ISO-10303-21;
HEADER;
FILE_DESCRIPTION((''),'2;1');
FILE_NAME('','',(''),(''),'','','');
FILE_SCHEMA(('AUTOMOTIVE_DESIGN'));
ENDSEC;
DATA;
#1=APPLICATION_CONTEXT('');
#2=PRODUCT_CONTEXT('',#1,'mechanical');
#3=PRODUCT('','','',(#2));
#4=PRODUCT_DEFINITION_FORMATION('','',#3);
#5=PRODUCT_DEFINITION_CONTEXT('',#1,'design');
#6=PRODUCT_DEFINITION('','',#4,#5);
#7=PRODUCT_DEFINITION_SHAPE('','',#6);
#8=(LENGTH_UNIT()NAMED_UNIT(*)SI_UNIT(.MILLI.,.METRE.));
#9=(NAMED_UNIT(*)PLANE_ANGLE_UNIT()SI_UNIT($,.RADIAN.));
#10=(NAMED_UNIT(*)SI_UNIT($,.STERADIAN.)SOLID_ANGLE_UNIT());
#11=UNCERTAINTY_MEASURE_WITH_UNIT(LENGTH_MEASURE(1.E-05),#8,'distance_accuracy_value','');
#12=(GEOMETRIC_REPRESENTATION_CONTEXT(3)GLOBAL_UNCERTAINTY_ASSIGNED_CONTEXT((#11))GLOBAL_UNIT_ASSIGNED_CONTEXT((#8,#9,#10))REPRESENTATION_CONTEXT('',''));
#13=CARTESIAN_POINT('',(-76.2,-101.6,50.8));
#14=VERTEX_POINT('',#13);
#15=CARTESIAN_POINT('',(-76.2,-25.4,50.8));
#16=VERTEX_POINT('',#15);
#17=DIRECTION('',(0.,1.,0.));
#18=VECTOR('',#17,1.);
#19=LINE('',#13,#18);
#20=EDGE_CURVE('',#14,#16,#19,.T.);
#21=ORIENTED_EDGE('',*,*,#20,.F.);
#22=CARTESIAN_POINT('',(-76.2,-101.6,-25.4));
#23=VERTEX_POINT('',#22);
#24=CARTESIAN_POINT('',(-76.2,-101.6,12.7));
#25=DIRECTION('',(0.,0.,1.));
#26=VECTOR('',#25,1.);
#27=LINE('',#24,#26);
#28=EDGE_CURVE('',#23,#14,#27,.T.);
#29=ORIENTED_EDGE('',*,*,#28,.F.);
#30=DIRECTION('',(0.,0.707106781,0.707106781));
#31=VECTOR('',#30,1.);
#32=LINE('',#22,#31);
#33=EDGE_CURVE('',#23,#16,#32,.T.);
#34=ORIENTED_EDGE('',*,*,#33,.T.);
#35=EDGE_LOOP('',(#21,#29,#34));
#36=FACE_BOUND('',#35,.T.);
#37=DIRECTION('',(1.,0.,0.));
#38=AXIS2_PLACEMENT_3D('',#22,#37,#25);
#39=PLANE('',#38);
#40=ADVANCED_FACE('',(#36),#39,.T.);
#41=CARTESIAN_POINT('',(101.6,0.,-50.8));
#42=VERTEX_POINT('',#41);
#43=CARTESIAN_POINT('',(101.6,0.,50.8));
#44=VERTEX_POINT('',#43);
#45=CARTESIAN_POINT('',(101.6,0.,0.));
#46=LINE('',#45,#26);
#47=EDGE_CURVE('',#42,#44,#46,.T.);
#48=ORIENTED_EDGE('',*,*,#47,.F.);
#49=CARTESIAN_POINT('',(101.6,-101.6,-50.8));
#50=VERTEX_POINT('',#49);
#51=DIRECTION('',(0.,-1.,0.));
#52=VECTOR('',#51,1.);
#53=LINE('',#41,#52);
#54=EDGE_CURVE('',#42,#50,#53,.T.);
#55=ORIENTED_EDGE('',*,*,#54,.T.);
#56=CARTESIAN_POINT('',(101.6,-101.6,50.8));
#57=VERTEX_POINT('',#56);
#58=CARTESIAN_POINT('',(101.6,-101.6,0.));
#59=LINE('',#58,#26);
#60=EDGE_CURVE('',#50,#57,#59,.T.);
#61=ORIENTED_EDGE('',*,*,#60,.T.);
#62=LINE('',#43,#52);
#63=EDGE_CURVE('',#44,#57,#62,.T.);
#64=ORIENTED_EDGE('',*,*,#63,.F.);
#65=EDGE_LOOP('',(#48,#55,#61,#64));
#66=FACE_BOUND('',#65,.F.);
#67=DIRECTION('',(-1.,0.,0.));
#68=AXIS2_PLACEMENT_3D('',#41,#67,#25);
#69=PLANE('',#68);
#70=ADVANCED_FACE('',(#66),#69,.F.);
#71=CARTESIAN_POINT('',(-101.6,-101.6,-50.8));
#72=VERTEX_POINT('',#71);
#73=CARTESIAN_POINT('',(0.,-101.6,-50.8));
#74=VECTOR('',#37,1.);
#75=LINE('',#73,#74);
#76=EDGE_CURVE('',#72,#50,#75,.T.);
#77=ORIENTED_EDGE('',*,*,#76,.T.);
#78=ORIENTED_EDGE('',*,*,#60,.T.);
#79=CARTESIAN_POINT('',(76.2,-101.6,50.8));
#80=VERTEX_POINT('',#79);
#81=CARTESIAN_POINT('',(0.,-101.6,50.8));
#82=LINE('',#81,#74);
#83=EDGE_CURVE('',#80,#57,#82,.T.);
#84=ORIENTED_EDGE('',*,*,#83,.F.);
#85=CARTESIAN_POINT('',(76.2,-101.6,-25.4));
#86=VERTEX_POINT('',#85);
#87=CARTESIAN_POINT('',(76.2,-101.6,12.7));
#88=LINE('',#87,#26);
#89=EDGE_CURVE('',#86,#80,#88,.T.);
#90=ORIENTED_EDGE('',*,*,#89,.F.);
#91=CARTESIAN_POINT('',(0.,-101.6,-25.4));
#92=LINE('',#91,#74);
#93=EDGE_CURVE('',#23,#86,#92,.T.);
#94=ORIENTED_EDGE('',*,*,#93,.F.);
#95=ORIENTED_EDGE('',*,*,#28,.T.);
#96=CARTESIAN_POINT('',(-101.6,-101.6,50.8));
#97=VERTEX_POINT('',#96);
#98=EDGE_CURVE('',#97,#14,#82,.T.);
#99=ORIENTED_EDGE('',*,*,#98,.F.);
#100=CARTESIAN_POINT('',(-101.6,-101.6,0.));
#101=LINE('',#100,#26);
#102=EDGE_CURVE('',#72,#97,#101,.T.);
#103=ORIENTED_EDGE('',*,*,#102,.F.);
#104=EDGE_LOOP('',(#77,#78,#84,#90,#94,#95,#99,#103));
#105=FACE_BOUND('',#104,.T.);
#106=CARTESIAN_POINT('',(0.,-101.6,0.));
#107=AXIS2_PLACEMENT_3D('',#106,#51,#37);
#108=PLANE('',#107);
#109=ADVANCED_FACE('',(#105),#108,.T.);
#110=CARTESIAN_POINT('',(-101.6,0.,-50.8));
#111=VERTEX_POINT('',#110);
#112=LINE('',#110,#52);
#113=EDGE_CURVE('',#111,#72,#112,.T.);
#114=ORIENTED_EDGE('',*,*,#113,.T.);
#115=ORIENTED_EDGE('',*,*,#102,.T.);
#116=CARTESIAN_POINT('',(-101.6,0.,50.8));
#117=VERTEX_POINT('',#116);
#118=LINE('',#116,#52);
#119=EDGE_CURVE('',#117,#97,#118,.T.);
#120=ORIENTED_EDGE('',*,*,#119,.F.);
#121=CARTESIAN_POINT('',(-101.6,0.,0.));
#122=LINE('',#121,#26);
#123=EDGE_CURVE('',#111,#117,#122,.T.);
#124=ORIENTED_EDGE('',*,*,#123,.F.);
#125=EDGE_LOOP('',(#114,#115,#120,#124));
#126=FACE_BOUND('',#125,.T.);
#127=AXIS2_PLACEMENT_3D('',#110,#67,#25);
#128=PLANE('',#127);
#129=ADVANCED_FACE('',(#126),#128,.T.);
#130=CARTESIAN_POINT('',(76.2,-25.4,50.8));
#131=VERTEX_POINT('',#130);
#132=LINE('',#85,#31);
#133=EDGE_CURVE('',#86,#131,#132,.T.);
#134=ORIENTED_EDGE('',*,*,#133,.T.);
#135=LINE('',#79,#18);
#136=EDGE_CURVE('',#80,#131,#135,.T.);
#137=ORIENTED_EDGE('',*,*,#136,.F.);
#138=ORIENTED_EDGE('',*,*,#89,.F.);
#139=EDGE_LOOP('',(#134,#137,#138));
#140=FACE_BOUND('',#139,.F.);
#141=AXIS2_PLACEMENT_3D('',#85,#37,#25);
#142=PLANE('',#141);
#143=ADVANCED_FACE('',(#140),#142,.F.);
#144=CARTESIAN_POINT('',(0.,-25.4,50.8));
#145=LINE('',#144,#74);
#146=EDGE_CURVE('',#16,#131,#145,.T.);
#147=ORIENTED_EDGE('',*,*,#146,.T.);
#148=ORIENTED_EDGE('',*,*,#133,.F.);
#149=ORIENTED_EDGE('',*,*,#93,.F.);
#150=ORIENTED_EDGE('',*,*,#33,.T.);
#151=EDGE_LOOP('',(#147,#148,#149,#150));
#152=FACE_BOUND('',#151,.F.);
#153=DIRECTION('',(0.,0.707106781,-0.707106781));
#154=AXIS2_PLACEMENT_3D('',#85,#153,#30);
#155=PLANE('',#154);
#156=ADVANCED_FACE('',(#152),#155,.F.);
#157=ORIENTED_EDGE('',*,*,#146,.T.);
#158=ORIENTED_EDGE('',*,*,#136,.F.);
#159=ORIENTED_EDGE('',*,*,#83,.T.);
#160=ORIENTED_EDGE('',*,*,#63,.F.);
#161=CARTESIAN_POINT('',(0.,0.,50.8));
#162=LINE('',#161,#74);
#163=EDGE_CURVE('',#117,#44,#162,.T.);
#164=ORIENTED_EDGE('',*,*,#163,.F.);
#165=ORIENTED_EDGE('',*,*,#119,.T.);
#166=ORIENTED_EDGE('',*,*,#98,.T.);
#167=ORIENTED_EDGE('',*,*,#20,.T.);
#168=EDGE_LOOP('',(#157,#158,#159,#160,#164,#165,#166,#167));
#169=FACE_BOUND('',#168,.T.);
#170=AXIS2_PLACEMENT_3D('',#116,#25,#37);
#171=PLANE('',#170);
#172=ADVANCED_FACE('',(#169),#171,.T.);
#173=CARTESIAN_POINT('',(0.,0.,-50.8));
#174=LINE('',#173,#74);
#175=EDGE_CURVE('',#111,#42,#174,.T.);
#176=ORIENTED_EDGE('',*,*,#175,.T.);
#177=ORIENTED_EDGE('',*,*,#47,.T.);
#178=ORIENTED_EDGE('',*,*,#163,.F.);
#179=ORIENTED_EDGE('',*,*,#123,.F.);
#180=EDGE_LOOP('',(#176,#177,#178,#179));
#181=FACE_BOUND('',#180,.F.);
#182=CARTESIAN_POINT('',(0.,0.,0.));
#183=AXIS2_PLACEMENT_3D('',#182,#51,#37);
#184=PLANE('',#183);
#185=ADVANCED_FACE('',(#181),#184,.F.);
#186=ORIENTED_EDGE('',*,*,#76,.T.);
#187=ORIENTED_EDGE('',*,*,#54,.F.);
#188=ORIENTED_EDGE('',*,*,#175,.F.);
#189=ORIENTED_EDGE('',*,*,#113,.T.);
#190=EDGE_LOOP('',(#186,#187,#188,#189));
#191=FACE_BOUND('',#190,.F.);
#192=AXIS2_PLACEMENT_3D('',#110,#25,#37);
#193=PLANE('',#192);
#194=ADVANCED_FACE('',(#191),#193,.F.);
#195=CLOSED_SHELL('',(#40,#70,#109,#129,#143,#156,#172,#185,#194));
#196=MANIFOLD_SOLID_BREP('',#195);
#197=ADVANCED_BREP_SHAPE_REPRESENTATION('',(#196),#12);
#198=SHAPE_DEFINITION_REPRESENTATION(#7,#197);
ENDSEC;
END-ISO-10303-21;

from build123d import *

# Parameters (mm, degrees)
F0_W     = 203.2
F0_H     = 101.6
F1_DEPTH = 101.6
F2_W     = 152.4
F2_H     = 76.2
F3_DEPTH = 76.2
F5_DEPTH = 152.4


with BuildPart() as f1:
    # F0 (on Front) → F1 (new body)
    with BuildSketch(Plane.XZ):
        Rectangle(F0_W, F0_H)
    extrude(amount=F1_DEPTH)

    # F2 (on face) → F3 (cut)
    with BuildSketch(Plane.XZ.offset(101.6)):
        with Locations((0, 12.7)):
            Rectangle(F2_W, F2_H)
    extrude(amount=-F3_DEPTH, mode=Mode.SUBTRACT)

    # F4 (on face) → F5 (join)
    with BuildSketch(Plane(origin=(76.2, 0, 0), x_dir=(0, -1, 0), z_dir=(-1, 0, 0))):
        Polygon((25.4, -25.4), (101.6, -25.4), (25.4, 50.8), align=None)
    extrude(amount=F5_DEPTH)


solid = f1.part
